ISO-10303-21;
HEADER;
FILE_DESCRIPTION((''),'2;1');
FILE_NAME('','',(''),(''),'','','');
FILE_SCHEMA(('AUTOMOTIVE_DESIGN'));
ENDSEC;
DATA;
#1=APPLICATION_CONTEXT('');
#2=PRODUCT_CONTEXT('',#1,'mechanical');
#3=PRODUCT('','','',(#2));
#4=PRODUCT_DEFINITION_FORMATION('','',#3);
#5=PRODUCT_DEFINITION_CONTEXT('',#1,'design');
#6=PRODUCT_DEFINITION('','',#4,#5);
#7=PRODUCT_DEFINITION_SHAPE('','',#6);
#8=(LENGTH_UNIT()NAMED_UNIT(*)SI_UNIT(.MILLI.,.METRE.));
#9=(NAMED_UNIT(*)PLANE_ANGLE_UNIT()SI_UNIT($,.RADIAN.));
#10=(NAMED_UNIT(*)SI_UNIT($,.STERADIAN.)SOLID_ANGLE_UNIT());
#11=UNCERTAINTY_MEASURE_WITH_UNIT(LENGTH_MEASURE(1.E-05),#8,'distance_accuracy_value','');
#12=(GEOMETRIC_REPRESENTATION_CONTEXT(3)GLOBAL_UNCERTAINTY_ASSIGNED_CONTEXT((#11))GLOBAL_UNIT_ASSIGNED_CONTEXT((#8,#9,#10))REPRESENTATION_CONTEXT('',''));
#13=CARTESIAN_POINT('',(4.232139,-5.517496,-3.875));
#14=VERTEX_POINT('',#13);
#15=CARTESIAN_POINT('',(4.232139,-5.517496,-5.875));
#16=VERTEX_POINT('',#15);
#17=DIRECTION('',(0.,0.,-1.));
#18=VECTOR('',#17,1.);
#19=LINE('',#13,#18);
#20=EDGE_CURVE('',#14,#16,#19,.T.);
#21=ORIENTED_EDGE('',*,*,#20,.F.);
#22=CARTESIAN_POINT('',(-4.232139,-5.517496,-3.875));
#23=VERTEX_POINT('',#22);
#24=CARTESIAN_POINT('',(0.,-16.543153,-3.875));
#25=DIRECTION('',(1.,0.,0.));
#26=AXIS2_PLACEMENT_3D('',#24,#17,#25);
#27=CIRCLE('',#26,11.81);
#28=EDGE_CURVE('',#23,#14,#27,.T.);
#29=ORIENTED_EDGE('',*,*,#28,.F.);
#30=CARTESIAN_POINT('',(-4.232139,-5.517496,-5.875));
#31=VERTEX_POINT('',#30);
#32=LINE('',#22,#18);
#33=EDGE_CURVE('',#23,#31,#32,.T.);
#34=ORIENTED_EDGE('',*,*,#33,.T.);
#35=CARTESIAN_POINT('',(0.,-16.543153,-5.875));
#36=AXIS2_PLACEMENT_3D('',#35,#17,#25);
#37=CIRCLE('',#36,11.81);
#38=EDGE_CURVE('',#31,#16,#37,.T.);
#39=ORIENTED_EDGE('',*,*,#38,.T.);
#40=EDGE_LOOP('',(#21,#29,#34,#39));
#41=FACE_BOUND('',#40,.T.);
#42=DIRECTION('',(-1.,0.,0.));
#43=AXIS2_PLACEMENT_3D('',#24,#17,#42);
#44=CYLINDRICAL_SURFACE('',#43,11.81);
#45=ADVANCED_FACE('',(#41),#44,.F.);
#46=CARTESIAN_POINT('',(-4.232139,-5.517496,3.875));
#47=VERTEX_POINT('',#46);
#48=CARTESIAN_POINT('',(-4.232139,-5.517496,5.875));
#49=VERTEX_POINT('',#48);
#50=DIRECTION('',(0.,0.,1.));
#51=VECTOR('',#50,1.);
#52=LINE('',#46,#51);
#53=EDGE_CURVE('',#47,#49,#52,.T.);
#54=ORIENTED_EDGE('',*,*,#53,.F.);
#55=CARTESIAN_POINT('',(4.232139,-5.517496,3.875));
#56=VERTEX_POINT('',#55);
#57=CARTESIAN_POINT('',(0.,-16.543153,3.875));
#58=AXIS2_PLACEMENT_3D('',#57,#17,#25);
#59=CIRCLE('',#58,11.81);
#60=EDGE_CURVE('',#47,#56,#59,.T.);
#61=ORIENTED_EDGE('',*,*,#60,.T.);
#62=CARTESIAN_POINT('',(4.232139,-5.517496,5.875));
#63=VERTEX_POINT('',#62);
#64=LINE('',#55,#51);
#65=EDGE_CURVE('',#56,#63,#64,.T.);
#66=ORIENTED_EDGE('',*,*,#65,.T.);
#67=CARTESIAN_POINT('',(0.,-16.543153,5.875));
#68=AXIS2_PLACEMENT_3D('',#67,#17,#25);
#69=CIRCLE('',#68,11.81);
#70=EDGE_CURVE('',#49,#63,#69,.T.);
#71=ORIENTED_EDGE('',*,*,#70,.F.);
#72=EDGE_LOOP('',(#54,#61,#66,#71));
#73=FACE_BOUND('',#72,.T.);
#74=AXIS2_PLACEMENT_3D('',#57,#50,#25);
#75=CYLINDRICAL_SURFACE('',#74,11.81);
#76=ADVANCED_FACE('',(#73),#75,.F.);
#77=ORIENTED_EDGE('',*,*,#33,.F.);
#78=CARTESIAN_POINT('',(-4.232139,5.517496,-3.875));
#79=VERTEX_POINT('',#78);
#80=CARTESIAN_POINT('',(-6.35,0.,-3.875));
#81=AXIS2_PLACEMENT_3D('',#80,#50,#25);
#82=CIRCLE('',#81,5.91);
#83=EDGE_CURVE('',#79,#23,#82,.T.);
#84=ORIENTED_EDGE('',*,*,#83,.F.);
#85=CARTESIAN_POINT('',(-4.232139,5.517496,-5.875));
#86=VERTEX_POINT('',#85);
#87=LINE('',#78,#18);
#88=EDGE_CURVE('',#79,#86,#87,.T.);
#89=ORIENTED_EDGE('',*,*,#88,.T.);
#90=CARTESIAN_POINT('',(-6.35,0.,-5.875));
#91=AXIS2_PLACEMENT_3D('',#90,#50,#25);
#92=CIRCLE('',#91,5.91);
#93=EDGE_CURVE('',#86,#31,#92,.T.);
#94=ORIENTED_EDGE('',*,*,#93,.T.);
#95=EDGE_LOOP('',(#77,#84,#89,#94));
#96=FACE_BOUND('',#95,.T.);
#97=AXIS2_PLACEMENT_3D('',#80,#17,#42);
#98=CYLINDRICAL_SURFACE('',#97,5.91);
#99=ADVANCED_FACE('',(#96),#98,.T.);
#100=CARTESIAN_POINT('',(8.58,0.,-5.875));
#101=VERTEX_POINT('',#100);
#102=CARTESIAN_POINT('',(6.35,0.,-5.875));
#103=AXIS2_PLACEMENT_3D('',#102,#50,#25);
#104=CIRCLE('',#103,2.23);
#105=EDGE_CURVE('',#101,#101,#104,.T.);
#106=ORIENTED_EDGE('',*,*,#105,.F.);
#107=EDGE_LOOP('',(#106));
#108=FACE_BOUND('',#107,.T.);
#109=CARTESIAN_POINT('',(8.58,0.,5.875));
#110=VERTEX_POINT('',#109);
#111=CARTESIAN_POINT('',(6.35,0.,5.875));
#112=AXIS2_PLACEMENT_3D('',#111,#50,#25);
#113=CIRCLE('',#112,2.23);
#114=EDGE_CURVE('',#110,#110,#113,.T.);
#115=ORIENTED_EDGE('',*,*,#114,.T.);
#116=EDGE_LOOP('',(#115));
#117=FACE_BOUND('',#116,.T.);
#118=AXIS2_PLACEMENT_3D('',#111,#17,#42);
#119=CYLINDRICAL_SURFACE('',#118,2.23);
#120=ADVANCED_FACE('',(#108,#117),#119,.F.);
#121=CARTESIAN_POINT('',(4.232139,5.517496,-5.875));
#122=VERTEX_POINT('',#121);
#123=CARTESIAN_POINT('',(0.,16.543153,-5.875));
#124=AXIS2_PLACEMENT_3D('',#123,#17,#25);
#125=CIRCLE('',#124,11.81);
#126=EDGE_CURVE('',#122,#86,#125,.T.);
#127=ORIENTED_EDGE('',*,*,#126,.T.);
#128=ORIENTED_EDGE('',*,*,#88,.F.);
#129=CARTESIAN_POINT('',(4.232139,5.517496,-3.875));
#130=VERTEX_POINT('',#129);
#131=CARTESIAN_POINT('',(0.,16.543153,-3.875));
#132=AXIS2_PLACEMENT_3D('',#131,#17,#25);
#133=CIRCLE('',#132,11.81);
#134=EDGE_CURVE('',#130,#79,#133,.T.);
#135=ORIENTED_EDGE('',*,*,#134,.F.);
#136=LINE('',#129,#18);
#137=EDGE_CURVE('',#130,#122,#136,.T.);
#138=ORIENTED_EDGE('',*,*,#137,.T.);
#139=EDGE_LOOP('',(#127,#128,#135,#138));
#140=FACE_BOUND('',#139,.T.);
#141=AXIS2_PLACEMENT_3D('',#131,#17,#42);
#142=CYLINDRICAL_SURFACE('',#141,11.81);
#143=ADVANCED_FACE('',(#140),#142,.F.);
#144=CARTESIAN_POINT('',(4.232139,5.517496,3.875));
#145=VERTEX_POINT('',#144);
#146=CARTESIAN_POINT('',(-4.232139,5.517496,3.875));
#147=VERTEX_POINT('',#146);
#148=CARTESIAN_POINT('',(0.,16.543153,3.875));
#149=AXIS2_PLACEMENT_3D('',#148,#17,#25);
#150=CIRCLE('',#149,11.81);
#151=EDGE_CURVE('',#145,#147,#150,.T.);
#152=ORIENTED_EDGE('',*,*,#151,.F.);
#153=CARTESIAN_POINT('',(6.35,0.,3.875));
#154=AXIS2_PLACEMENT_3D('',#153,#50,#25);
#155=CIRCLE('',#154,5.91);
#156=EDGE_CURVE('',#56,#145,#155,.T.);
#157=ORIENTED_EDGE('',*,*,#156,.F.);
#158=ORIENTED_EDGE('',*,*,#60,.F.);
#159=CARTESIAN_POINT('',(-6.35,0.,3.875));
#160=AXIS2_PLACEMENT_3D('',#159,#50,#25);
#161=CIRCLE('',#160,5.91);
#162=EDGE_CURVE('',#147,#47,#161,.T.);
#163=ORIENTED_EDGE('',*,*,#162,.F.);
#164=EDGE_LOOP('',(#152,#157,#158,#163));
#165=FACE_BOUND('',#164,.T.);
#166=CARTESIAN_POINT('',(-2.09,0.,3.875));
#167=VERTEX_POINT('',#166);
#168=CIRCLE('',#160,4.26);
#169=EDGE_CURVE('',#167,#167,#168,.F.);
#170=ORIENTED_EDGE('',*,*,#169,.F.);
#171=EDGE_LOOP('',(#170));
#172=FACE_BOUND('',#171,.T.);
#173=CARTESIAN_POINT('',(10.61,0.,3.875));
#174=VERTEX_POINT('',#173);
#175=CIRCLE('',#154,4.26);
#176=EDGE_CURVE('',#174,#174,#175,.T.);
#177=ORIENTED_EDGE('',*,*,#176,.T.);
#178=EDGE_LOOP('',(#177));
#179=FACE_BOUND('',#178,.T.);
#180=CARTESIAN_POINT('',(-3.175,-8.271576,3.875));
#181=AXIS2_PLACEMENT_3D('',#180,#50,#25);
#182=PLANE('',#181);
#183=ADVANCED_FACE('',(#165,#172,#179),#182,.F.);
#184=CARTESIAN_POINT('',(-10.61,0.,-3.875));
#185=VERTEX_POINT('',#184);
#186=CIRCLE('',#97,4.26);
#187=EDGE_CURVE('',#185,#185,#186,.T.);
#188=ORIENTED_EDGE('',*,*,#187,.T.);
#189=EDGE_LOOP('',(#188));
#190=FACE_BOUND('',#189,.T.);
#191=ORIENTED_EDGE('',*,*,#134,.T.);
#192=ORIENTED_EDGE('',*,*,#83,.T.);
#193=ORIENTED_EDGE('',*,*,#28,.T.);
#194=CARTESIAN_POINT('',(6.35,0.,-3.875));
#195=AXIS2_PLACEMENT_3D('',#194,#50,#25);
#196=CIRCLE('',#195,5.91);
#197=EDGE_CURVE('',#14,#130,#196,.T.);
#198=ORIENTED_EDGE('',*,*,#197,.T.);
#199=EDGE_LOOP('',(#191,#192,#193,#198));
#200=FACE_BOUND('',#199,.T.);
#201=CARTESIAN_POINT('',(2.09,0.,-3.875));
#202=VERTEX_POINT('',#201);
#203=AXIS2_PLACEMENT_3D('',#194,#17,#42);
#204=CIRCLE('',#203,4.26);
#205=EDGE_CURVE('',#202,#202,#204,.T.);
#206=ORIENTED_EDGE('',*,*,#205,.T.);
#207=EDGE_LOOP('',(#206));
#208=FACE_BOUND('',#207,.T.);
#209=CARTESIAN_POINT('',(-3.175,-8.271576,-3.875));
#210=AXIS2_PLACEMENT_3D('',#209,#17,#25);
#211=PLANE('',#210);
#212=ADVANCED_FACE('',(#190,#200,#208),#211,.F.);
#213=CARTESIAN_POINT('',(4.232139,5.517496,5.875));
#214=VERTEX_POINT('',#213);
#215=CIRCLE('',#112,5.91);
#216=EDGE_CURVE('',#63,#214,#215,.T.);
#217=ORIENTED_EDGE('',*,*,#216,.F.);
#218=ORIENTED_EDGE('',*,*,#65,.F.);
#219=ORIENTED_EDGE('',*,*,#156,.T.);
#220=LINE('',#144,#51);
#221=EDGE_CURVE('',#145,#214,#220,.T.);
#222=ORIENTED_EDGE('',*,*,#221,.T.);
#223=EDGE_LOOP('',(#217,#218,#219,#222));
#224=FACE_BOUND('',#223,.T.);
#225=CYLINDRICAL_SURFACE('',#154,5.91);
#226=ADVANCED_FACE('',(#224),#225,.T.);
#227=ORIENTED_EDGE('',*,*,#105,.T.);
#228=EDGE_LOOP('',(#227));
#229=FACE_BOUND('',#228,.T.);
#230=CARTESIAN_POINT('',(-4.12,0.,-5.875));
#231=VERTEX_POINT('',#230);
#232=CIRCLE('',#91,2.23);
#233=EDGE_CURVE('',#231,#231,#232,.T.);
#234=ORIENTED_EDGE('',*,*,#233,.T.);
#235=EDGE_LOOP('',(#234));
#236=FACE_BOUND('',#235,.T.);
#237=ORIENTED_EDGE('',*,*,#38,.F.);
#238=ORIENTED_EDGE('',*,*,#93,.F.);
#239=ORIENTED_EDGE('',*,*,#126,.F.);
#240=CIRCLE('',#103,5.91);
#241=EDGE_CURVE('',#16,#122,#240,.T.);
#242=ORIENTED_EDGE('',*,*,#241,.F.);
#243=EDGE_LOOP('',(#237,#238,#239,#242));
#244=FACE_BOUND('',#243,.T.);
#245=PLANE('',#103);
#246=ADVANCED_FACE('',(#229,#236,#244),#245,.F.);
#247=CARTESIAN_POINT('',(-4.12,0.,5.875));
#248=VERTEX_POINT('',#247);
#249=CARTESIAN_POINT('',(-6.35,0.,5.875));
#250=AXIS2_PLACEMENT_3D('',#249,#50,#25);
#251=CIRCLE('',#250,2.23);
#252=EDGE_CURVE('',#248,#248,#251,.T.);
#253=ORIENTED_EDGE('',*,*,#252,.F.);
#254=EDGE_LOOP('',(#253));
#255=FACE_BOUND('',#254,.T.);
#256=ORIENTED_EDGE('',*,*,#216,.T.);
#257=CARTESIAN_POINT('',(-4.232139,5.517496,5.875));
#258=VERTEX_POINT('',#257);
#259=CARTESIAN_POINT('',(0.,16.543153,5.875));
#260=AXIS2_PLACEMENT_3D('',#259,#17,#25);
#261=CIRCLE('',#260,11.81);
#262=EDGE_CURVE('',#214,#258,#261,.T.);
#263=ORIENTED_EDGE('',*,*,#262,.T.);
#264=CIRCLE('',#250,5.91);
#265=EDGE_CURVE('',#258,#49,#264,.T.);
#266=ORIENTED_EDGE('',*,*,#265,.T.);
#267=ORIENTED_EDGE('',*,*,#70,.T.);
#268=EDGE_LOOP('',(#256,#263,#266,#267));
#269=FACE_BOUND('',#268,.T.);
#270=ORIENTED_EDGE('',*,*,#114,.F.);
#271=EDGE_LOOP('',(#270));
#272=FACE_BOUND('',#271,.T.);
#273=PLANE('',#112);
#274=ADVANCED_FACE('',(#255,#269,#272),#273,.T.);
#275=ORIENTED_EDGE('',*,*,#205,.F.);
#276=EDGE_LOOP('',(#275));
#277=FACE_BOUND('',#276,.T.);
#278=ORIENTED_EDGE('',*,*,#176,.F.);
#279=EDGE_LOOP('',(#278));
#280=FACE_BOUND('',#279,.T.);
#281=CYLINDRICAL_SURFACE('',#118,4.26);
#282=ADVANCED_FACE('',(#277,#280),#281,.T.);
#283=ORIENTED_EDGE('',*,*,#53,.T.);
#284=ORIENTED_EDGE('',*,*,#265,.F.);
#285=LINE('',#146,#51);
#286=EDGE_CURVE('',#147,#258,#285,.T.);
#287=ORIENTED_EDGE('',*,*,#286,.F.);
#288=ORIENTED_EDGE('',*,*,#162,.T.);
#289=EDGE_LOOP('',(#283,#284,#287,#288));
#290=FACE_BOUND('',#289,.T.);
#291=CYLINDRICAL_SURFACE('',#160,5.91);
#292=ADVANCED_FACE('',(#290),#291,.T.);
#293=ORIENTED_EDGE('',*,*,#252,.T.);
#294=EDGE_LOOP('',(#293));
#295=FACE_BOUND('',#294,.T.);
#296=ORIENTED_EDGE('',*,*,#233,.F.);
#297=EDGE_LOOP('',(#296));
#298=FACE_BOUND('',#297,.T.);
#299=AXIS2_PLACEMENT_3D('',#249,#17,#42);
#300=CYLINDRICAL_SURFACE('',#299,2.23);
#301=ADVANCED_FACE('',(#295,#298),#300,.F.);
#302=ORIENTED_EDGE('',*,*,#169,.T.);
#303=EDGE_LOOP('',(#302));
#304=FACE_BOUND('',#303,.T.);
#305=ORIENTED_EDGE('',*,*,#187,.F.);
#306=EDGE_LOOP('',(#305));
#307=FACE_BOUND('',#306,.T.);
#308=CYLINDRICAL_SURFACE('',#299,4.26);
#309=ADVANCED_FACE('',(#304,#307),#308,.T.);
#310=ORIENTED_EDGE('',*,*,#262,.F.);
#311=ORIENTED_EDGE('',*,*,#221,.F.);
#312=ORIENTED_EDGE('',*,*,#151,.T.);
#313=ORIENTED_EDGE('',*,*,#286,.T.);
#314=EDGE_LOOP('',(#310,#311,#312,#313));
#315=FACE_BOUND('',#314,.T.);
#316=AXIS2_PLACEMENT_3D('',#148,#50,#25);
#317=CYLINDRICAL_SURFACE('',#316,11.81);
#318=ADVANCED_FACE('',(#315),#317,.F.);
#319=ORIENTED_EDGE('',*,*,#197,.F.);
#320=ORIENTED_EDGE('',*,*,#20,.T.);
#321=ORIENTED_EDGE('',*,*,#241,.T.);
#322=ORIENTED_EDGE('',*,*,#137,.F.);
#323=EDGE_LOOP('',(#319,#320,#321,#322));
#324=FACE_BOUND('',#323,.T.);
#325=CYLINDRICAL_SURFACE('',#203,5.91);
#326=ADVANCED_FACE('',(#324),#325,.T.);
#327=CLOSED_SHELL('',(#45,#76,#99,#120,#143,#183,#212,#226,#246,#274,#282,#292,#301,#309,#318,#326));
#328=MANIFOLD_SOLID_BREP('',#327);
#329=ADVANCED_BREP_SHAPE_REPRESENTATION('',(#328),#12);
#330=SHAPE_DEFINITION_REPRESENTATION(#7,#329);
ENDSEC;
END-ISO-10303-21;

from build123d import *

# Parameters (mm, degrees)
SKETCH_1_R        = 4.26
SKETCH_1_R_2      = 2.23
EXTRUDE_1_DEPTH   = 5.875
EXTRUDE_1_2_DEPTH = 5.875
EXTRUDE_START     = 5.875
SKETCH_2_R        = 3
EXTRUDE_2_DEPTH   = 2


with BuildPart() as part:
    # Эскиз1 → Бобышка-Вытянуть1 (new, symmetric)
    with BuildSketch(Plane.XY):
        with Locations((-6.35, 0)):
            Circle(SKETCH_1_R)
        with Locations((-6.35, 0)):
            Circle(SKETCH_1_R_2, mode=Mode.SUBTRACT)
    extrude(amount=EXTRUDE_1_DEPTH, both=True)



with BuildPart() as body_2:
    # Эскиз1 → Extrude 1 2 (new, symmetric)
    with BuildSketch(Plane.XY):
        with Locations((6.35, 0)):
            Circle(SKETCH_1_R)
        with Locations((6.35, 0)):
            Circle(SKETCH_1_R_2, mode=Mode.SUBTRACT)
    extrude(amount=EXTRUDE_1_2_DEPTH, both=True)


with BuildPart() as part_1:
    add(part.part)

    add(body_2.part)  # Бобышка-Вытянуть2 merges body 2
    # Эскиз2 → Бобышка-Вытянуть2 (add)
    with BuildSketch(Plane.XY.offset(EXTRUDE_START)):
        with BuildLine():
            ThreePointArc((-4.232138826, 5.517496176), (-12.26, 0), (-4.232138826, -5.517496176))
            ThreePointArc((-4.232138826, -5.517496176), (0, -4.733152662), (4.232138826, -5.517496176))
            ThreePointArc((4.232138826, -5.517496176), (12.26, 0), (4.232138826, 5.517496176))
            ThreePointArc((4.232138826, 5.517496176), (0, 4.733152662), (-4.232138826, 5.517496176))
        make_face()
        with Locations((-6.35, 0)):
            Circle(SKETCH_2_R, mode=Mode.SUBTRACT)
        with Locations((6.35, 0)):
            Circle(SKETCH_2_R, mode=Mode.SUBTRACT)
    extrude_2 = extrude(amount=-EXTRUDE_2_DEPTH)

    # Зеркальное отражение1: Бобышка-Вытянуть2 across plane
    add(extrude_2.mirror(Plane.XY))


solid = part_1.part
